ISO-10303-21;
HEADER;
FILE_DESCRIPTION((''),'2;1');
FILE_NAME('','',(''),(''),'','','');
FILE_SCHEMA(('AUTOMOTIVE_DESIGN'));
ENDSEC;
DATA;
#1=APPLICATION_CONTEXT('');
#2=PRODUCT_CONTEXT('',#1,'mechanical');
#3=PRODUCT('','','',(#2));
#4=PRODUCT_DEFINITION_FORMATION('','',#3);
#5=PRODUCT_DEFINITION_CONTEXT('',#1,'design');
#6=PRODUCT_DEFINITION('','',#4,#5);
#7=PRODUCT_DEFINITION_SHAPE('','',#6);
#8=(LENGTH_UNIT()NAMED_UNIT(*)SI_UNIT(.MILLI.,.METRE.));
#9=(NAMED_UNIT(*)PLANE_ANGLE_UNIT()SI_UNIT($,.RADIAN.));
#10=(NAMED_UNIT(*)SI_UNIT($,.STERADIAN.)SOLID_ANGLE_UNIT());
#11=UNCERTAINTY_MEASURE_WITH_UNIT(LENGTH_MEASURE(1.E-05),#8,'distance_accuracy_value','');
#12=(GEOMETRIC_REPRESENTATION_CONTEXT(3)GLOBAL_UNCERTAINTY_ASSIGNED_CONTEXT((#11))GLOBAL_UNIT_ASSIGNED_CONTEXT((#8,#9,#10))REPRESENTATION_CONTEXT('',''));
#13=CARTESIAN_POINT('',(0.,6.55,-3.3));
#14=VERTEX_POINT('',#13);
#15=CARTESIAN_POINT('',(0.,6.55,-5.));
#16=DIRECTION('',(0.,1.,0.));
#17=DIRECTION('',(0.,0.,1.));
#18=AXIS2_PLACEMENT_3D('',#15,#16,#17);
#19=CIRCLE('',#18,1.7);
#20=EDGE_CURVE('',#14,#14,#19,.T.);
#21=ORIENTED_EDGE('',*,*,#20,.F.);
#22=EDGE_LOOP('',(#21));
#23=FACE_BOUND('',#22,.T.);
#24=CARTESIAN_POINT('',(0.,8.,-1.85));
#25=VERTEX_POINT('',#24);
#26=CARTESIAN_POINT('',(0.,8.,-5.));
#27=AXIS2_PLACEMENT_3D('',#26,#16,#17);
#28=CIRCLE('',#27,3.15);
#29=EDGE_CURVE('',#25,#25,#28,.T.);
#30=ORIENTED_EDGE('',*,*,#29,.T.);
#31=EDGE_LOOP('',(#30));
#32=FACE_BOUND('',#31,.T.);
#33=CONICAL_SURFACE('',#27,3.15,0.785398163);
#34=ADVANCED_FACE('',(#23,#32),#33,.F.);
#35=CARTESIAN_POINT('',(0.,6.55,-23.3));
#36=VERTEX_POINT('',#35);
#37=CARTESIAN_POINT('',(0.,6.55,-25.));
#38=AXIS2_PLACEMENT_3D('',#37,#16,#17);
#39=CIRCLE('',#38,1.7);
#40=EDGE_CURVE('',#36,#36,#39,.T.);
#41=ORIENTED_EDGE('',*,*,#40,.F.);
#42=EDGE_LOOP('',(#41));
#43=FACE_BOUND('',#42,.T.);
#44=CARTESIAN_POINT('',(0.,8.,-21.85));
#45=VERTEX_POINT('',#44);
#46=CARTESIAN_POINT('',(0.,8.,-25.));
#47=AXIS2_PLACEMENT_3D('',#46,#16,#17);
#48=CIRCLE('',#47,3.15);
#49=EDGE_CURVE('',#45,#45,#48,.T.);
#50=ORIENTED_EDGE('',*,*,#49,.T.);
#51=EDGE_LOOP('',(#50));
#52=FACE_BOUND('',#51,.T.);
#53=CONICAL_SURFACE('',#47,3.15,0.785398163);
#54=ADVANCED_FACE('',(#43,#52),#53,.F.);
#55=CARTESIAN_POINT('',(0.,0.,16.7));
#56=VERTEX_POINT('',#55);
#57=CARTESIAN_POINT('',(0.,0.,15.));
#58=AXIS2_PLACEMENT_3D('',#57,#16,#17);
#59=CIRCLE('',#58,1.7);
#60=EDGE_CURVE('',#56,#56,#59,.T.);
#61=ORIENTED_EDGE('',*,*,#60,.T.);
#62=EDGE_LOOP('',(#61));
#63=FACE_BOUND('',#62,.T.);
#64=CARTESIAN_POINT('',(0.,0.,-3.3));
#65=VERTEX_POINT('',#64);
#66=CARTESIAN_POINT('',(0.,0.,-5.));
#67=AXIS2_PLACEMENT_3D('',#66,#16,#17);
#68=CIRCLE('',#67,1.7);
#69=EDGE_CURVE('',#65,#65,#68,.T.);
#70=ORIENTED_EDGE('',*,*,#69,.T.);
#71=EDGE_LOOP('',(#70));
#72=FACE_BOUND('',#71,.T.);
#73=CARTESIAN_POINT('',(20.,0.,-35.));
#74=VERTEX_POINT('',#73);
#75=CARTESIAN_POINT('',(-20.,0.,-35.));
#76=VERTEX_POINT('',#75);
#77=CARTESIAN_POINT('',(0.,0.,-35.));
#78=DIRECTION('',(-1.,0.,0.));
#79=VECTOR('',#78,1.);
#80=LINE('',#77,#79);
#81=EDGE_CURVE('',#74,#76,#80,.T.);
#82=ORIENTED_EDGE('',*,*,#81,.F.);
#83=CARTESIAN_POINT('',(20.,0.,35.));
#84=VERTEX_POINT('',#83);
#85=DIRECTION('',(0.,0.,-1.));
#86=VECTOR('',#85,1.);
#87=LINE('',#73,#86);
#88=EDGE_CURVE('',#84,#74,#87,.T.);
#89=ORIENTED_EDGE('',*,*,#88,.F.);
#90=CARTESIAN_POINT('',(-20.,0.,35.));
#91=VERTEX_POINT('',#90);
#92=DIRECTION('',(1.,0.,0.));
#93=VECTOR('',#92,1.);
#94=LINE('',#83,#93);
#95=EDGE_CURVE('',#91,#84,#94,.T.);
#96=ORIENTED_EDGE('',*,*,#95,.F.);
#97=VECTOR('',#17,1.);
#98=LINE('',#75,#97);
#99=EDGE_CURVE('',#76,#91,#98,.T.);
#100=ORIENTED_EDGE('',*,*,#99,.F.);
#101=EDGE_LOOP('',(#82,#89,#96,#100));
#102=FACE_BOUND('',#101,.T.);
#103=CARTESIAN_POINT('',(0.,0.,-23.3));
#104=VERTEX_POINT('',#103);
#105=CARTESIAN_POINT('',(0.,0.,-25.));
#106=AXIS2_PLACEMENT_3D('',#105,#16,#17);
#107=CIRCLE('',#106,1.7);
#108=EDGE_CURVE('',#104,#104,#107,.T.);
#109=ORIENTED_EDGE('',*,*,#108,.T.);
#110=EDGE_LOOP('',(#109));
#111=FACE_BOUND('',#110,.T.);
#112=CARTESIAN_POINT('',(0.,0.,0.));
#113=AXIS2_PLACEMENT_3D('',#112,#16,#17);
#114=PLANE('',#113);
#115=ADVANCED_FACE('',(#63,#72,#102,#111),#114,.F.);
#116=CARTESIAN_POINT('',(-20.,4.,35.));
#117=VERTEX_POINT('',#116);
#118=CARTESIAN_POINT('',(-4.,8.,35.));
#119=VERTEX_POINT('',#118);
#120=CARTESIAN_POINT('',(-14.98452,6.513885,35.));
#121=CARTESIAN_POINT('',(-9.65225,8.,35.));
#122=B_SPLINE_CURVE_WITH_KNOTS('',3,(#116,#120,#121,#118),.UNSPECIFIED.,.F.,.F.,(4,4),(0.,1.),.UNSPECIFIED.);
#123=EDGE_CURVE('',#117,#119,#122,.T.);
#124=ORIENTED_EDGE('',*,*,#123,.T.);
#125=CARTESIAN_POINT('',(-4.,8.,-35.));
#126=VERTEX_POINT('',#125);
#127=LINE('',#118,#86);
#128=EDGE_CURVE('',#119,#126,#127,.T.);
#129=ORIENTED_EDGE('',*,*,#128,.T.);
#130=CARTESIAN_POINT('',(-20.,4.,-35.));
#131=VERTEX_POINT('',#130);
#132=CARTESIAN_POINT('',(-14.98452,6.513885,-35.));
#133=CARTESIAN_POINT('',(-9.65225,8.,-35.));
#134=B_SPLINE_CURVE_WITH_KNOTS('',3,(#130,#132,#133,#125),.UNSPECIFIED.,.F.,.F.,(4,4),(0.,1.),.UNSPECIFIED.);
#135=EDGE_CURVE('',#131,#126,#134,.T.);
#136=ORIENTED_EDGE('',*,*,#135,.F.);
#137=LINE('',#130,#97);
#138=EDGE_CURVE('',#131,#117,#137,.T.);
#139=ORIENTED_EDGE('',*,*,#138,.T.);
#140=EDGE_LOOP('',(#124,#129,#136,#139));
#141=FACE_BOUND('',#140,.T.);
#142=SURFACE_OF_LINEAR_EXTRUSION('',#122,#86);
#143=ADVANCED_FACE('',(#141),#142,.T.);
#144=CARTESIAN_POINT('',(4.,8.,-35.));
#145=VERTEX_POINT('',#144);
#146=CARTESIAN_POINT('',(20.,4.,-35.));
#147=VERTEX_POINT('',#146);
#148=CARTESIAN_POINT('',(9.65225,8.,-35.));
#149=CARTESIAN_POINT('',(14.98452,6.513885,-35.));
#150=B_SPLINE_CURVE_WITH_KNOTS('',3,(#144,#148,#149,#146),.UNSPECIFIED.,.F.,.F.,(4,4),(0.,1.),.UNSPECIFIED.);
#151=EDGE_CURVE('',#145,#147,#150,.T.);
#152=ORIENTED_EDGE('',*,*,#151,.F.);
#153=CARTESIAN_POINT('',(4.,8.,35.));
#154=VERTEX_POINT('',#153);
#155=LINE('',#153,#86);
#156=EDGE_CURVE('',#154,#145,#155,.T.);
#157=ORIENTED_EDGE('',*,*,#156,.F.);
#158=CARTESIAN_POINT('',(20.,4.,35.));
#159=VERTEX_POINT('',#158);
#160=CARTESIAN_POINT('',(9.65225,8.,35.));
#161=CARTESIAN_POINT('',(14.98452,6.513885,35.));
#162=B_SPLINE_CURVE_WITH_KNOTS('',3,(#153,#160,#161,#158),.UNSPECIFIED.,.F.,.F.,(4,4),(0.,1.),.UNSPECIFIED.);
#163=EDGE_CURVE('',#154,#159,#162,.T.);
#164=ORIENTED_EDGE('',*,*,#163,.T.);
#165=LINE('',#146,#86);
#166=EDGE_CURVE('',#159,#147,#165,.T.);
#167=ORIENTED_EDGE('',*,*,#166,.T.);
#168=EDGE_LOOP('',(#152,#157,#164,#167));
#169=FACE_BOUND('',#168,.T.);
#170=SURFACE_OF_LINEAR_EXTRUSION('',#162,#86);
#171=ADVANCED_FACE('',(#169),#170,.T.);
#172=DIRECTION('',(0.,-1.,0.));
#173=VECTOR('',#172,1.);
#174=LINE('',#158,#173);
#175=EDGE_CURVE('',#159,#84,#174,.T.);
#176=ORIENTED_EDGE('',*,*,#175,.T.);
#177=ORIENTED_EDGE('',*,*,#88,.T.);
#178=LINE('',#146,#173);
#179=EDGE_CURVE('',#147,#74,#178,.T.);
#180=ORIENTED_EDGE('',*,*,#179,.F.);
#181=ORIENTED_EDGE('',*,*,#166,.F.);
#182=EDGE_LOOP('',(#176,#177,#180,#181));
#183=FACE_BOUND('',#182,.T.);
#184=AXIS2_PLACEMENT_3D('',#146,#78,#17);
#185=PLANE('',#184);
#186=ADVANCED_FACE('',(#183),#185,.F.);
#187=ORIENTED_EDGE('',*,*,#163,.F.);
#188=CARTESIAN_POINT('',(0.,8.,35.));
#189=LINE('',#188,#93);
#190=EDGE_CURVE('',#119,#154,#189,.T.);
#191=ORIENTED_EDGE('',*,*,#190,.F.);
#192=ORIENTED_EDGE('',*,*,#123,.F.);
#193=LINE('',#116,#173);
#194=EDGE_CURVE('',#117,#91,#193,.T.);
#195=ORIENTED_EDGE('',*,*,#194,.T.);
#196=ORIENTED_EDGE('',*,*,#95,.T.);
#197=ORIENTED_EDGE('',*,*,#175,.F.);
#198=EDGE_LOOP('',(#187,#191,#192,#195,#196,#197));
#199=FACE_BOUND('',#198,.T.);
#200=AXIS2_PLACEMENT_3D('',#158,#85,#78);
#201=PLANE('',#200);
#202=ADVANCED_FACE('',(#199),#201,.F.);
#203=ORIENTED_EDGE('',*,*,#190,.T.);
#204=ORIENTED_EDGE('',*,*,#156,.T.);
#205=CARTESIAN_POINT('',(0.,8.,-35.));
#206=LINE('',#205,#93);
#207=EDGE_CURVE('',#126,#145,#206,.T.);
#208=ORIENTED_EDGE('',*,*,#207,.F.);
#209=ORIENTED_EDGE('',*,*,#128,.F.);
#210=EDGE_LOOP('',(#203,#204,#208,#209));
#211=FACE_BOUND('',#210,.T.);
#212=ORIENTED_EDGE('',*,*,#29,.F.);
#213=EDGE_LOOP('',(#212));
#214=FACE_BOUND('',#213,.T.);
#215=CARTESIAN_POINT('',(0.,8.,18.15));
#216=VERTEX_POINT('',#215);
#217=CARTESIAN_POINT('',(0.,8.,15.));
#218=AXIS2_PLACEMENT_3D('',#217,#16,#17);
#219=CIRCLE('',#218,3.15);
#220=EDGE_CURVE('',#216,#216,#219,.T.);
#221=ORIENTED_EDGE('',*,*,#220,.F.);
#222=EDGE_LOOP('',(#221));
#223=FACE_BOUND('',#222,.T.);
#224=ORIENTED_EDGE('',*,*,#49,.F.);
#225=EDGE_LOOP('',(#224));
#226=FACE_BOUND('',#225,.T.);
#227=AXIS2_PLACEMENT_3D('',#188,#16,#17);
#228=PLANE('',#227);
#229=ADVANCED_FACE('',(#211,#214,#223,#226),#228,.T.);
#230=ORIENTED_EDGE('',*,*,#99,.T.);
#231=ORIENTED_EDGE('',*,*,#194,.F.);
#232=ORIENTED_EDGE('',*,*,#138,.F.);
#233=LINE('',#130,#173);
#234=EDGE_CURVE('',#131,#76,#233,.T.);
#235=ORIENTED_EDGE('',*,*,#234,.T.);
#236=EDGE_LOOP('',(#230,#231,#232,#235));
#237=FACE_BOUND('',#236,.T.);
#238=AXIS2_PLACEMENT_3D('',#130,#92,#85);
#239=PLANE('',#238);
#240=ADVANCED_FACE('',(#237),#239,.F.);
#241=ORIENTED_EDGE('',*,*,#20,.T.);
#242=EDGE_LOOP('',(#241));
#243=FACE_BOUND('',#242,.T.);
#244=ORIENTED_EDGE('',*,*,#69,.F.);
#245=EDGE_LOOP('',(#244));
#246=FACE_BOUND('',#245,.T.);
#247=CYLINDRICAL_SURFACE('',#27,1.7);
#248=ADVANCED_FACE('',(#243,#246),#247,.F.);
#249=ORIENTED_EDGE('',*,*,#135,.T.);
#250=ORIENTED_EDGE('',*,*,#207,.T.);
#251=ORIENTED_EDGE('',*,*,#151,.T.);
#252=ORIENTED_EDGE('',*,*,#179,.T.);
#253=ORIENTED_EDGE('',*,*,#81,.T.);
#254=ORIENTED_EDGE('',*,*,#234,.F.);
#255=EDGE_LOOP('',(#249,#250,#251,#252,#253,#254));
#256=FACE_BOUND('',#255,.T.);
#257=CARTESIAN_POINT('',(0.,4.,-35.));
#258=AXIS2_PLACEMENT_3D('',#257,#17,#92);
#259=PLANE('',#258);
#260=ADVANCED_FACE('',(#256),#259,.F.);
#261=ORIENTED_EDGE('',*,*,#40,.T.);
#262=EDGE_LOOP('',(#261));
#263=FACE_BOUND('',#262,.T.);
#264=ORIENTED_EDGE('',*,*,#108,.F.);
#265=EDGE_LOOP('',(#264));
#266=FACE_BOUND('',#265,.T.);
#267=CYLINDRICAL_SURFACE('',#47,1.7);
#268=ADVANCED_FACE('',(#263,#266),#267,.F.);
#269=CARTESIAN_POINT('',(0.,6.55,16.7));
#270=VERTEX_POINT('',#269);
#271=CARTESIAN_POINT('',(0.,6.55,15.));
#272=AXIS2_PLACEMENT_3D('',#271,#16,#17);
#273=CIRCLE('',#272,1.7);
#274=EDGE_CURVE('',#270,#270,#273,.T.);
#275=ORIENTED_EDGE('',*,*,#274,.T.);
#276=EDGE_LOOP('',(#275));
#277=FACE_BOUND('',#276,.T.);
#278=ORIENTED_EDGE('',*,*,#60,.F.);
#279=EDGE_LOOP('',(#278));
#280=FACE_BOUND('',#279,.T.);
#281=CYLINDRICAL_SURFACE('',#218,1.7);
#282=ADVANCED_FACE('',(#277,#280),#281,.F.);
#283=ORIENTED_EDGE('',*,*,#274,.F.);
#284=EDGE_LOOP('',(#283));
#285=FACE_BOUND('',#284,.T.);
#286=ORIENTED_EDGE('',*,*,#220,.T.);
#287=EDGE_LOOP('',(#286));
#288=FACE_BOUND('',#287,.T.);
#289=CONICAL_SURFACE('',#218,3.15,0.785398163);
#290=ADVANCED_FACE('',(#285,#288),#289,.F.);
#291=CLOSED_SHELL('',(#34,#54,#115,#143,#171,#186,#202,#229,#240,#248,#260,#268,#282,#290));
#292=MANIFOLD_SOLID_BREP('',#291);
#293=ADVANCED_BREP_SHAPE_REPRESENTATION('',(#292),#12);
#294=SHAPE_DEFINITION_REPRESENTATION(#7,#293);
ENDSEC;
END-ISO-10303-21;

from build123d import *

# Parameters (mm, degrees)
SKETCH1_R                                       = 1.25
BOSS_EXTRUDE1_DEPTH                             = 4
BOSS_EXTRUDE2_DEPTH                             = 70
SKETCH3_R                                       = 1.6
SKETCH3_R_2                                     = 1.625
CUT_EXTRUDE1_DEPTH                              = 70
CSK_FOR_M3_FLAT_HEAD_MACHINE_SCREW1_D           = 3.4
CSK_FOR_M3_FLAT_HEAD_MACHINE_SCREW1_CSINK_D     = 6.3
CSK_FOR_M3_FLAT_HEAD_MACHINE_SCREW1_CSINK_ANGLE = 90


with BuildPart() as part:
    # Sketch1 → Boss-Extrude1 (new body)
    with BuildSketch(Plane(origin=(0, 0, 0), x_dir=(1, 0, 0), z_dir=(0, 1, 0))):
        Polygon((0, 35), (20, 35), (20, -35), (0, -35), (-20, -35), (-20, 35), align=None)
        with Locations(Location((0, 25, 0), (0, 0, 270))):
            Circle(SKETCH1_R, mode=Mode.SUBTRACT)
        with Locations(Location((0, 5, 0), (0, 0, 270))):
            Circle(SKETCH1_R, mode=Mode.SUBTRACT)
        with Locations(Location((0, -15, 0), (0, 0, 270))):
            Circle(SKETCH1_R, mode=Mode.SUBTRACT)
    extrude(amount=BOSS_EXTRUDE1_DEPTH)

    # Sketch2 → Boss-Extrude2 (add)
    with BuildSketch(Plane(origin=(0, 0, -35), x_dir=(-1, 0, 0), z_dir=(0, 0, -1))):
        with BuildLine():
            Line((0, 8), (-4, 8))
            add(Edge.make_bspline(
                [(-4, 8), (-9.652249971, 8), (-14.984519901, 6.51388548), (-20, 4)],
                knots=[0, 0, 0, 0, 1, 1, 1, 1], degree=3))
            Line((-20, 4), (20, 4))
            add(Edge.make_bspline(
                [(4, 8), (9.652249971, 8), (14.984519901, 6.51388548), (20, 4)],
                knots=[0, 0, 0, 0, 1, 1, 1, 1], degree=3))
            Line((4, 8), (0, 8))
        make_face()
    extrude(amount=-BOSS_EXTRUDE2_DEPTH)

    # Sketch3 → Cut-Extrude1 (cut)
    with BuildSketch(Plane(origin=(0, 8, 0), x_dir=(1, 0, 0), z_dir=(0, 1, 0))):
        with Locations(Location((0, 25, 0), (0, 0, 270))):
            Circle(SKETCH3_R)
        with Locations(Location((0, 5, 0), (0, 0, 270))):
            Circle(SKETCH3_R)
        with Locations(Location((0, -15, 0), (0, 0, 270))):
            Circle(SKETCH3_R_2)
    extrude(amount=-CUT_EXTRUDE1_DEPTH, mode=Mode.SUBTRACT)

    # CSK for M3 Flat Head Machine Screw1 (through all)
    with Locations(Plane(origin=(0, 8, 0), x_dir=(1, 0, 0), z_dir=(0, 1, 0))):
        with Locations((0, 25), (0, 5), (0, -15)):
            CounterSinkHole(CSK_FOR_M3_FLAT_HEAD_MACHINE_SCREW1_D / 2, CSK_FOR_M3_FLAT_HEAD_MACHINE_SCREW1_CSINK_D / 2, counter_sink_angle=CSK_FOR_M3_FLAT_HEAD_MACHINE_SCREW1_CSINK_ANGLE)


solid = part.part
